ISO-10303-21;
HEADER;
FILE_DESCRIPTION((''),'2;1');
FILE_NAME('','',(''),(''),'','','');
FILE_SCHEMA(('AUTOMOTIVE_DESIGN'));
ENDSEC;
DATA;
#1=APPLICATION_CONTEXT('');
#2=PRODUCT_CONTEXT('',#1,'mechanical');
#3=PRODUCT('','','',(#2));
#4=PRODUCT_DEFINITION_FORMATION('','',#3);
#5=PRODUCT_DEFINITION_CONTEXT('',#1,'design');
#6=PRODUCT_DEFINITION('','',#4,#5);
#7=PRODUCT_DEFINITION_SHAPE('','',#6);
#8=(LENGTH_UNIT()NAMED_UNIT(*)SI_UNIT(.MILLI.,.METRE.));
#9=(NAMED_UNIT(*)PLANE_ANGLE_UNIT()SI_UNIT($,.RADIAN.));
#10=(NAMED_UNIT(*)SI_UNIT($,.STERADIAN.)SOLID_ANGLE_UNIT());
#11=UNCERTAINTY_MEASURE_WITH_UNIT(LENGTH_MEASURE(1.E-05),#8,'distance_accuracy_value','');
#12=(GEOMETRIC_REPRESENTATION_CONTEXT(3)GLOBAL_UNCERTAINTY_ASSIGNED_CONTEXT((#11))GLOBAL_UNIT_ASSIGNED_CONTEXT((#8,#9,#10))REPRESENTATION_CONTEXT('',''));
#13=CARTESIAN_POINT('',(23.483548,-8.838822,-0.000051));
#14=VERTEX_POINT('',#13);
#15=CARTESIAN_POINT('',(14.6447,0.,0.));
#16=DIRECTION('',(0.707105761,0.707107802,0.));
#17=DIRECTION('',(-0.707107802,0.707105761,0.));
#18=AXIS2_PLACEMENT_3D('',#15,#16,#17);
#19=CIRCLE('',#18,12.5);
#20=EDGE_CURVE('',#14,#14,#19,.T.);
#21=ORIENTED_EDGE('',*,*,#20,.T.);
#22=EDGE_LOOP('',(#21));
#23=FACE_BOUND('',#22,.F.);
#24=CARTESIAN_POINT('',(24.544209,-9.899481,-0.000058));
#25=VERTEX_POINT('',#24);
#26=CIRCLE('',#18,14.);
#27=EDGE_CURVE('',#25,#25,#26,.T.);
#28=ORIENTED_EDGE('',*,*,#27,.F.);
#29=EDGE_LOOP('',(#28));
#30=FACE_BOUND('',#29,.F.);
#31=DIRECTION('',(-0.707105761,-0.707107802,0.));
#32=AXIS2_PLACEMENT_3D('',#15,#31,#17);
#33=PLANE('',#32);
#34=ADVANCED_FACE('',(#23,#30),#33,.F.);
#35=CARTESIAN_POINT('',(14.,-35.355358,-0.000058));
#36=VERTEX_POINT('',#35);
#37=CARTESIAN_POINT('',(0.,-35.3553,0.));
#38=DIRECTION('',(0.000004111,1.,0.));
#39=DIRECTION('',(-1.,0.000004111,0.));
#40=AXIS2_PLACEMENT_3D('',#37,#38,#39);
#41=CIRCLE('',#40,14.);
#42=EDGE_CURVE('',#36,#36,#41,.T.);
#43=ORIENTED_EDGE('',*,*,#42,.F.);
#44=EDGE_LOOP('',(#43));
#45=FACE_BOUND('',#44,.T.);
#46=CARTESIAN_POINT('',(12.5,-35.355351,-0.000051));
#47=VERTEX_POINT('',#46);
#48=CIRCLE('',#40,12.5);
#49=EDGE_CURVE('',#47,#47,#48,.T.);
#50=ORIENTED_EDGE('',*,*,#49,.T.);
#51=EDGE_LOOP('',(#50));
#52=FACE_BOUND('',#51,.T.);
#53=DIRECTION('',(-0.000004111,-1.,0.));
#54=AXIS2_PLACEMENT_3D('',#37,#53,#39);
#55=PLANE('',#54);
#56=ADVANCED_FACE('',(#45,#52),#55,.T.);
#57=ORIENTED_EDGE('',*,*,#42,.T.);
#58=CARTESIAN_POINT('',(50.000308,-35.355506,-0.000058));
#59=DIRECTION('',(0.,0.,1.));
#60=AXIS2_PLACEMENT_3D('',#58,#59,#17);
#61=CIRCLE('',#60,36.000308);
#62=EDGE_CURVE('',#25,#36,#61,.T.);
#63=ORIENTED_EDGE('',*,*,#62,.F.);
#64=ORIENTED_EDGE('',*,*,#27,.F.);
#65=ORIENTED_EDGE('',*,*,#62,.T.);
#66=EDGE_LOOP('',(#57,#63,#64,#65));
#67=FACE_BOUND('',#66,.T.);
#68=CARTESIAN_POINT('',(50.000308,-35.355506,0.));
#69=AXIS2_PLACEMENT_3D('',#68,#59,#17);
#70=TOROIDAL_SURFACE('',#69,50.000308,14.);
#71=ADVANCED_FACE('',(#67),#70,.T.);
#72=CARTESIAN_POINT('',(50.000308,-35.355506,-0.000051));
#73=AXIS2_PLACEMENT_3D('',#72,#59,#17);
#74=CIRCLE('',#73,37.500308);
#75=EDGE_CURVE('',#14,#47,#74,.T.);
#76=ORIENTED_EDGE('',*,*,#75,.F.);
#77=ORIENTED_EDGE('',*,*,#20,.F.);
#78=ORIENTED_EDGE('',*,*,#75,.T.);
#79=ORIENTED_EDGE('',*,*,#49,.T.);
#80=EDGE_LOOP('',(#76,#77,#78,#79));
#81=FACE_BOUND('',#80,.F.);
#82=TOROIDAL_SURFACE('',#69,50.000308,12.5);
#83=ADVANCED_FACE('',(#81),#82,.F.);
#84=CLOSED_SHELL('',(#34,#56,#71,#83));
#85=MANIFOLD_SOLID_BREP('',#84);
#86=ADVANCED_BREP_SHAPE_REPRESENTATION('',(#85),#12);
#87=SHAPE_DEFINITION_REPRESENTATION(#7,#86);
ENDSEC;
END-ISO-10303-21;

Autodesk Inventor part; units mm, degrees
ref_plane "YZ Plane" through (0, 0, 0) normal (1, 0, 0) x (0, 1, 0)
ref_plane "XZ Plane" through (0, 0, 0) normal (0, 1, 0) x (-1, 0, 0)
sketch "Szkic6" plane through (0, 0, 0) normal (0, 0, 1) x (1, 0, 0)
  line L0 (-29.6067, 0) -> (35.2678, 0) construction
  line L1 (0, 42.3419) -> (0, -58.3726) construction
  arc A0 (14.6447, 0) -> (0, -35.3553) centre (50, -35.3553) ccw
  line L2 (0, -35.3553) -> (50, -35.3553) construction
  line L3 (50, -35.3553) -> (3.6611, 10.9836) construction
  line L4 (14.6447, 0) -> (14.6447, 0)
  line L5 (0, -35.3553) -> (0, -35.3553)
  point P0 (0, 0)
  dimension "d24" = 50
  dimension "d31" = 45
  dimension "d36" = 0
  dimension "d37" = 0
ref_plane "Płaszczyzna konstrukcyjna2" through (0, -35.3553, 0) normal (0, -1, 0) x (1, 0, 0)
sketch "Szkic8" plane through (0, -35.3553, 0) normal (0, -1, 0) x (1, 0, 0)
  circle A0 centre (0, 0) radius 14
  circle A1 centre (0, 0) radius 12.5
  dimension "d32" = 28
  dimension "d33" = 1.5
sweep "Przeciągnięcie2" add profiles "Szkic8" path "Szkic6"
equation "\"d32\" = OD"
equation "\"d33\" = THK"
equation "\"d24\" = R"
equation "\"d31\" = KAT"
equation "\"SzerokośćGięciaPodcięcia\" = Grubość"
equation "\"RozmiarPodcięciaNarożnika\" = 4 * Grubość"
equation "\"PromieńPrzejścia\" = PromieńGięcia"
equation "\"Rozmiar_promienia_Jacobiego\" = PromieńGięcia"
equation "\"Wielk_odstępu\" = Grubość"
equation "\"d2\" = PromieńGięcia"
equation "\"d23\" = PromieńGięcia"
equation "\"R\" = 50"
equation "\"OD\" = 28"
equation "\"THK\" = 1.5"
equation "\"KAT\" = 45deg"
equation "\"PROSTKA\" = 0"
equation "\"Grubość\" = 1.5"
equation "\"PromieńGięcia\" = 3"
properties part number "Kolano 45° ø28x1,5 R50" material "304L"
